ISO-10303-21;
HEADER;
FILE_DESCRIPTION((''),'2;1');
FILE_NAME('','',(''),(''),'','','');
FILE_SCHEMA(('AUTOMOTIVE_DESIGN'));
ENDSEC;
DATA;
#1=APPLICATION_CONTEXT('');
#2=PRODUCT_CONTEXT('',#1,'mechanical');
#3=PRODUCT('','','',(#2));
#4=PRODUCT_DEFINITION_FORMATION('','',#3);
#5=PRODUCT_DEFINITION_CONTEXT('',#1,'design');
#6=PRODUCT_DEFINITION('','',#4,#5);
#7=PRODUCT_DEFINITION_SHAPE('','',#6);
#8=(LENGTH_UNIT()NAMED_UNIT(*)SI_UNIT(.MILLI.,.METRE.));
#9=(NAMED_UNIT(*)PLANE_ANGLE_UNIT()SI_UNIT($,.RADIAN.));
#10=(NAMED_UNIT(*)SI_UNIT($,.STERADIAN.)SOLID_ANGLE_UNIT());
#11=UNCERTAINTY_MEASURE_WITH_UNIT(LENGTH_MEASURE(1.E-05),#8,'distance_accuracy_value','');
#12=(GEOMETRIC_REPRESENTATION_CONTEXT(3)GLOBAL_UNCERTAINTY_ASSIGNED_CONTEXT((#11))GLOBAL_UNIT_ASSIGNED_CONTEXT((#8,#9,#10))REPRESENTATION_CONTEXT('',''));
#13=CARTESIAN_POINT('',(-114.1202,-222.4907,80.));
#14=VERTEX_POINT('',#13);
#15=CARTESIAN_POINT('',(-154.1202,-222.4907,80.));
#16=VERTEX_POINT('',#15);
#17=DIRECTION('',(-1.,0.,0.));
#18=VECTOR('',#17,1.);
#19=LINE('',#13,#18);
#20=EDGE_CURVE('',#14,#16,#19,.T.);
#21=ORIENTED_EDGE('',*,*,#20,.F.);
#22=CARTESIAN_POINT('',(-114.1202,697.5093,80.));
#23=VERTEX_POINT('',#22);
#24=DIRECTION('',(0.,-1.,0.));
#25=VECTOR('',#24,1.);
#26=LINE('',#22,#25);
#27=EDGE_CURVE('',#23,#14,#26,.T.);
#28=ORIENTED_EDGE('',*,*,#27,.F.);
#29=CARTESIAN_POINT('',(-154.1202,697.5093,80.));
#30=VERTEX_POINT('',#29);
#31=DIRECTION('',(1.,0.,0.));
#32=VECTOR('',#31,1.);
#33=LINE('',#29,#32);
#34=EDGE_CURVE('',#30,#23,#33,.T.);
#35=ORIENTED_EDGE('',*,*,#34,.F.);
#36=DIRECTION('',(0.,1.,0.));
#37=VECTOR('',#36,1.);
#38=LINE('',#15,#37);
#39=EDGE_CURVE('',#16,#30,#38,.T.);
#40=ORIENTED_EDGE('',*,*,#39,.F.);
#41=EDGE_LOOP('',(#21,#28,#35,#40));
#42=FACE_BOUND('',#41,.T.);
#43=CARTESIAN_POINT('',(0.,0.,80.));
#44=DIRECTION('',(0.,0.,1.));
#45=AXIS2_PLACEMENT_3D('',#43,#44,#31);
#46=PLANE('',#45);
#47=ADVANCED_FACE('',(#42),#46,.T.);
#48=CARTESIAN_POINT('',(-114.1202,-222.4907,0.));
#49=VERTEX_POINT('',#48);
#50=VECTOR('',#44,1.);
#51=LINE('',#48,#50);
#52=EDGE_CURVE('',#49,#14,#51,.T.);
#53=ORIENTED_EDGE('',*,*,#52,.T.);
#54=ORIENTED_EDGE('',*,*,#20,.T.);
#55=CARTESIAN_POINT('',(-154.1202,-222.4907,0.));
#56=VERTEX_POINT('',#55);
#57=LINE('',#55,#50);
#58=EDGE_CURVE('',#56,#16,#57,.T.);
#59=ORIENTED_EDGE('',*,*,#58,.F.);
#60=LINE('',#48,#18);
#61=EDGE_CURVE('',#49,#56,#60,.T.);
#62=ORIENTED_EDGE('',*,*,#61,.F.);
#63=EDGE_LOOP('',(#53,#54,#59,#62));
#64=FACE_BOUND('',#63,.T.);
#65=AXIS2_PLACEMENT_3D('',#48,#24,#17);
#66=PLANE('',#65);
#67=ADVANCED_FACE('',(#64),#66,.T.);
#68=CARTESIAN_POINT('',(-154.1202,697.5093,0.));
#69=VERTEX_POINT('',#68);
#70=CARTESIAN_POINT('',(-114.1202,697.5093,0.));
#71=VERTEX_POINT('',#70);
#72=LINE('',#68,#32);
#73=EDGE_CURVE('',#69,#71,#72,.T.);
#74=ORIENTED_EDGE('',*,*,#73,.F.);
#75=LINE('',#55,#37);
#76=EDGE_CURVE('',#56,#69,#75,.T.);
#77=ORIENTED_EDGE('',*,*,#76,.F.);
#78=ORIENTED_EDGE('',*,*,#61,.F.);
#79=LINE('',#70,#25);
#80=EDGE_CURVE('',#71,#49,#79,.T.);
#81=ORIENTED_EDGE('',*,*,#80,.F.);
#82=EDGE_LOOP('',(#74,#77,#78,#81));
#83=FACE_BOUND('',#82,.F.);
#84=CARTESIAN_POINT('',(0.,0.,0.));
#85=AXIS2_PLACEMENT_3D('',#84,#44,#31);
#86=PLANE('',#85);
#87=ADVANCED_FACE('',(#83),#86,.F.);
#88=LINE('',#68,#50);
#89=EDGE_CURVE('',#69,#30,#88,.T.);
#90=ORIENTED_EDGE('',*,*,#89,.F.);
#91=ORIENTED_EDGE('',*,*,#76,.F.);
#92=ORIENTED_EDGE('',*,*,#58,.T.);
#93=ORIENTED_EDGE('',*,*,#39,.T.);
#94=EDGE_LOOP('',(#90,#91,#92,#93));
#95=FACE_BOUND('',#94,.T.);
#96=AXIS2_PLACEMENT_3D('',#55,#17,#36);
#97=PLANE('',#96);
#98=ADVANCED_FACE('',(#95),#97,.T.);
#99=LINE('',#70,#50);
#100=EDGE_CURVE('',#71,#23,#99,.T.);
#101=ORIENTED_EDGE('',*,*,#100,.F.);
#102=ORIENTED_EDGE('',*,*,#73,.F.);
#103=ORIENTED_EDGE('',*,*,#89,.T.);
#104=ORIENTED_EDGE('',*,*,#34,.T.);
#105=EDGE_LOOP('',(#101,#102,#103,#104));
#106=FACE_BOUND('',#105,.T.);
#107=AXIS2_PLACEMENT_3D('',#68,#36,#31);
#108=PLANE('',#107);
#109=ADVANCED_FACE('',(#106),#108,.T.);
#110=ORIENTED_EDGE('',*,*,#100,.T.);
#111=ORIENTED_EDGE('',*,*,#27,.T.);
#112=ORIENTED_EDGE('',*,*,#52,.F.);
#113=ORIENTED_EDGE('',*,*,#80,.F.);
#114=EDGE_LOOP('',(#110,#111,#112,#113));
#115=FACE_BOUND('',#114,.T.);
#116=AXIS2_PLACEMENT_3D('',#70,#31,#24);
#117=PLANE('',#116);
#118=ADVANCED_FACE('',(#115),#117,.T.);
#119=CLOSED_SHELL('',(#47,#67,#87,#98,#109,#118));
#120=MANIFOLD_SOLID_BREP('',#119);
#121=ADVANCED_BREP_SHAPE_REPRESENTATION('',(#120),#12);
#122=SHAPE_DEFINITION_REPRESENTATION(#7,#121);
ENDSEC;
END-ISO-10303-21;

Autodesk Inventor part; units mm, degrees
ref_plane "YZ Plane" through (0, 0, 0) normal (1, 0, 0) x (0, 1, 0)
ref_plane "XZ Plane" through (0, 0, 0) normal (0, 1, 0) x (-1, 0, 0)
ref_plane "XY Plane" through (0, 0, 0) normal (0, 0, 1) x (1, 0, 0)
sketch "Sketch1" plane through (0, 0, 0) normal (0, 0, 1) x (1, 0, 0)
  line L0 (-114.1202, -222.4907) -> (-154.1202, -222.4907)
  line L1 (-154.1202, -222.4907) -> (-154.1202, 697.5093)
  line L2 (-154.1202, 697.5093) -> (-114.1202, 697.5093)
  line L3 (-114.1202, 697.5093) -> (-114.1202, -222.4907)
  point P0 (0, 0)
  dimension "d0" = 40
  dimension "d1" = 920
extrude "Extrusion1" add sketch "Sketch1" along normal blind 80
properties part number "lateralReinforcement" material "Wood (Birch)"
